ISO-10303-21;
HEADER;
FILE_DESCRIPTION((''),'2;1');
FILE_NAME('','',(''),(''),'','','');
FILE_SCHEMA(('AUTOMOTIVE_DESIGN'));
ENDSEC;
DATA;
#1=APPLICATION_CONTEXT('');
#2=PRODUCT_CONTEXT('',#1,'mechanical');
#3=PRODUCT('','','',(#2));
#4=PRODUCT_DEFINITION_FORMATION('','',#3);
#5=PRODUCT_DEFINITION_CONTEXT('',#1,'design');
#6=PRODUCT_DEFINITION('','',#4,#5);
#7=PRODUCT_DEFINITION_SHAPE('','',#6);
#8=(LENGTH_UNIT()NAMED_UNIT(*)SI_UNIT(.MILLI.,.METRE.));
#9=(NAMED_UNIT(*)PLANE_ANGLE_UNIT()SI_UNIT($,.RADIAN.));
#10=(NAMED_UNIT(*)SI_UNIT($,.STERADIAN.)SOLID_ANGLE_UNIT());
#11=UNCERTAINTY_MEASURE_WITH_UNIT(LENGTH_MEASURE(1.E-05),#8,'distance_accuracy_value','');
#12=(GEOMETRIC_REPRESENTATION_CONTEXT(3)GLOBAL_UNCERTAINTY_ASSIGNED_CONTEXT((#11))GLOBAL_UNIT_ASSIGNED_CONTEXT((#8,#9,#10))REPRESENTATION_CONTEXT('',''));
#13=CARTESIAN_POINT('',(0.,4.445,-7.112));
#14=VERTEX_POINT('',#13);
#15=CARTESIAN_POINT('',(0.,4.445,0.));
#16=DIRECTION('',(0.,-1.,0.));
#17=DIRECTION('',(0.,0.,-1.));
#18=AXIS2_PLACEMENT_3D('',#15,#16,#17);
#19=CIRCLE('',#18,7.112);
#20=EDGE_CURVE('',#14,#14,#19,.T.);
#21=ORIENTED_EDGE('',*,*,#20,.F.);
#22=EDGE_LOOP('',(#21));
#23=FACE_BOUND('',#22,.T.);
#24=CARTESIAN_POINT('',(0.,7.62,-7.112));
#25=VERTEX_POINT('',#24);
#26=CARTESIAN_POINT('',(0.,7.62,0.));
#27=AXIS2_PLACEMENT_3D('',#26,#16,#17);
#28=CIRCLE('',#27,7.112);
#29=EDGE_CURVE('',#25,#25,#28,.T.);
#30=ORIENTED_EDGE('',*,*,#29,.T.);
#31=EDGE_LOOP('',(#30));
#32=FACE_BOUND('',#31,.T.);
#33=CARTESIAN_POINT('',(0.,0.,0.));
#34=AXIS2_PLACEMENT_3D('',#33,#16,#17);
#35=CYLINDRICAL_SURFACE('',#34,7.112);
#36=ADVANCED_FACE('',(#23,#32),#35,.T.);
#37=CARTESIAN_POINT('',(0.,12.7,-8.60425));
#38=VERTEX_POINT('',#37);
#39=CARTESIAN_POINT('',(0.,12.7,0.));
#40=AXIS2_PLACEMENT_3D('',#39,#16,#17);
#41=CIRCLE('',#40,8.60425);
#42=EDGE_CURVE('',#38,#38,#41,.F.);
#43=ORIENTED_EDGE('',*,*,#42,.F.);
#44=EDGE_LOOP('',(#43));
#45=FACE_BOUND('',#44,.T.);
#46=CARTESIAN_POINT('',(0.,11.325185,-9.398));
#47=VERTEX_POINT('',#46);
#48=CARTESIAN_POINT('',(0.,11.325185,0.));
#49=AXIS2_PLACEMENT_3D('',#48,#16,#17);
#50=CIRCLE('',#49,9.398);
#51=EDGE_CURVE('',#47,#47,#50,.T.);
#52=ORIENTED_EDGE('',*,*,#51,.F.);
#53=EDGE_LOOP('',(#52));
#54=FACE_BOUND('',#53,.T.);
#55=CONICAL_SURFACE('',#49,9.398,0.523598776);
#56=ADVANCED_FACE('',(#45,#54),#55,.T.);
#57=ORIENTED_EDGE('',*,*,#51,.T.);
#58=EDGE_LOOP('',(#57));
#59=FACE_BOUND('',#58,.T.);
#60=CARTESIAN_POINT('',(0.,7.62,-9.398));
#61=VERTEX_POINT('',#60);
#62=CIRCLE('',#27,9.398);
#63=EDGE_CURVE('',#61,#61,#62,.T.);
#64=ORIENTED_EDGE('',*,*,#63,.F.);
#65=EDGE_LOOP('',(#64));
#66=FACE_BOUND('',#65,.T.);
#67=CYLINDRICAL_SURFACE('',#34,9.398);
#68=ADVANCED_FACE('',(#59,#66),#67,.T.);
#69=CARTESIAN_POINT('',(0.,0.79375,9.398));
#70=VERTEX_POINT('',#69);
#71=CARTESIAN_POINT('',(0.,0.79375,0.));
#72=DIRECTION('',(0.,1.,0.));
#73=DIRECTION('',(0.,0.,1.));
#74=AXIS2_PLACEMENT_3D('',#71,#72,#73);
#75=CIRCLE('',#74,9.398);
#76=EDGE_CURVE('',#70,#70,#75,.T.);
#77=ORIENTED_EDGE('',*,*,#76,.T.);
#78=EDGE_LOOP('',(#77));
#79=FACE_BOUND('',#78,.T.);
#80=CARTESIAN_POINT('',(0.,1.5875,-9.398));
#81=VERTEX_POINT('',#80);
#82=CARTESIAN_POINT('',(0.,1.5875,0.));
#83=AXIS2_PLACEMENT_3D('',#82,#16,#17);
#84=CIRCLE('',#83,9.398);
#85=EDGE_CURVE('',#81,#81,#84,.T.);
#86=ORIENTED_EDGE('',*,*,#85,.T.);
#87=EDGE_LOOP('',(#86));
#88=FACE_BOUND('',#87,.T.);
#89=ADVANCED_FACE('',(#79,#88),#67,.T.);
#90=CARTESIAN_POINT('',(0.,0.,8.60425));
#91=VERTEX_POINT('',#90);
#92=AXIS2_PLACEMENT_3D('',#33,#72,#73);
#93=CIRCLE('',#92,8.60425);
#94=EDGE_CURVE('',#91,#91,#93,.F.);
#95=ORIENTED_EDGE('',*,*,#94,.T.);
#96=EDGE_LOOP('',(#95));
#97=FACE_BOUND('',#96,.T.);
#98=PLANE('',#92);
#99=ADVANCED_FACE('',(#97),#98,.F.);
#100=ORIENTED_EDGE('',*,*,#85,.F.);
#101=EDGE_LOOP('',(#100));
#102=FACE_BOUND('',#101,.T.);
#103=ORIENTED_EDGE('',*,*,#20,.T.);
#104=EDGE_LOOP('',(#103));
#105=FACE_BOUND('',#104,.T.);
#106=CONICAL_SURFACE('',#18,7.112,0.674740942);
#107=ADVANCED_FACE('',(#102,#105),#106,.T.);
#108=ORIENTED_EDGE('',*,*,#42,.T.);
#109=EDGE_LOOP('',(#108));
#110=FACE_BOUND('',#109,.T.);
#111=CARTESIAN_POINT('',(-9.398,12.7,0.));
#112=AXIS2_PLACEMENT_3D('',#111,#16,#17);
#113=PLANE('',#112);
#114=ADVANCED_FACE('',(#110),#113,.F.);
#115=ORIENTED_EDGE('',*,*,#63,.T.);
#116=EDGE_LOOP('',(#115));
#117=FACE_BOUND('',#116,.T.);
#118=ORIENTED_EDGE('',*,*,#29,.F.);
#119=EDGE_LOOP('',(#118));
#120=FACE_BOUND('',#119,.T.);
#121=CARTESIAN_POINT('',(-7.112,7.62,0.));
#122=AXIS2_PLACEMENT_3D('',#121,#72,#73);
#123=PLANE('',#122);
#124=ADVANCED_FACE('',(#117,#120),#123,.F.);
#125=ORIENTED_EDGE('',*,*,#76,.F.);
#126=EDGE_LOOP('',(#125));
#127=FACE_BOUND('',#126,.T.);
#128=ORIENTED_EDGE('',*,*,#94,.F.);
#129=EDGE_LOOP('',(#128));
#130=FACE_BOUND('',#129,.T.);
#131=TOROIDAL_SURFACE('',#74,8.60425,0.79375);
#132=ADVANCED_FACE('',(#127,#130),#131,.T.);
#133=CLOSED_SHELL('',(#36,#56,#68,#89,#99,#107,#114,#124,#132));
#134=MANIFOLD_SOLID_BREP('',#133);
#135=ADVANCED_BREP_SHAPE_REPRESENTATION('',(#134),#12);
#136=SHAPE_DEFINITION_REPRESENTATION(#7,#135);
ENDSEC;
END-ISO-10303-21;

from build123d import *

# Parameters (mm, degrees)
FILLET1_R      = 0.79375
CHAMFER1_SIZE  = 0.79375
CHAMFER1_SIZE2 = 1.374815329


with BuildPart() as part:
    # Sketch1 → Revolve1 (revolve)
    with BuildSketch(Plane.XY):
        Polygon((0, 0), (-9.398, 0), (-9.398, 1.5875), (-7.112, 4.445), (-7.112, 7.62), (-9.398, 7.62), (-9.398, 12.7), (0, 12.7), align=None)
    revolve(axis=Axis((0, 0, 0), (0, 1, 0)))

    # Fillet1
    fillet1_edges = [part.edges().sort_by_distance(p)[0] for p in [
        (9.398, 0, 0),
    ]]
    fillet(fillet1_edges, radius=FILLET1_R)

    # Chamfer1
    chamfer1_edges = [part.edges().sort_by_distance(p)[0] for p in [
        (9.398, 12.7, 0),
    ]]
    chamfer1_side = [part.faces().sort_by_distance(p)[0] for p in [
        (0, 12.7, 0),
    ]]
    chamfer(chamfer1_edges, length=CHAMFER1_SIZE, length2=CHAMFER1_SIZE2, reference=chamfer1_side[0])


solid = part.part
